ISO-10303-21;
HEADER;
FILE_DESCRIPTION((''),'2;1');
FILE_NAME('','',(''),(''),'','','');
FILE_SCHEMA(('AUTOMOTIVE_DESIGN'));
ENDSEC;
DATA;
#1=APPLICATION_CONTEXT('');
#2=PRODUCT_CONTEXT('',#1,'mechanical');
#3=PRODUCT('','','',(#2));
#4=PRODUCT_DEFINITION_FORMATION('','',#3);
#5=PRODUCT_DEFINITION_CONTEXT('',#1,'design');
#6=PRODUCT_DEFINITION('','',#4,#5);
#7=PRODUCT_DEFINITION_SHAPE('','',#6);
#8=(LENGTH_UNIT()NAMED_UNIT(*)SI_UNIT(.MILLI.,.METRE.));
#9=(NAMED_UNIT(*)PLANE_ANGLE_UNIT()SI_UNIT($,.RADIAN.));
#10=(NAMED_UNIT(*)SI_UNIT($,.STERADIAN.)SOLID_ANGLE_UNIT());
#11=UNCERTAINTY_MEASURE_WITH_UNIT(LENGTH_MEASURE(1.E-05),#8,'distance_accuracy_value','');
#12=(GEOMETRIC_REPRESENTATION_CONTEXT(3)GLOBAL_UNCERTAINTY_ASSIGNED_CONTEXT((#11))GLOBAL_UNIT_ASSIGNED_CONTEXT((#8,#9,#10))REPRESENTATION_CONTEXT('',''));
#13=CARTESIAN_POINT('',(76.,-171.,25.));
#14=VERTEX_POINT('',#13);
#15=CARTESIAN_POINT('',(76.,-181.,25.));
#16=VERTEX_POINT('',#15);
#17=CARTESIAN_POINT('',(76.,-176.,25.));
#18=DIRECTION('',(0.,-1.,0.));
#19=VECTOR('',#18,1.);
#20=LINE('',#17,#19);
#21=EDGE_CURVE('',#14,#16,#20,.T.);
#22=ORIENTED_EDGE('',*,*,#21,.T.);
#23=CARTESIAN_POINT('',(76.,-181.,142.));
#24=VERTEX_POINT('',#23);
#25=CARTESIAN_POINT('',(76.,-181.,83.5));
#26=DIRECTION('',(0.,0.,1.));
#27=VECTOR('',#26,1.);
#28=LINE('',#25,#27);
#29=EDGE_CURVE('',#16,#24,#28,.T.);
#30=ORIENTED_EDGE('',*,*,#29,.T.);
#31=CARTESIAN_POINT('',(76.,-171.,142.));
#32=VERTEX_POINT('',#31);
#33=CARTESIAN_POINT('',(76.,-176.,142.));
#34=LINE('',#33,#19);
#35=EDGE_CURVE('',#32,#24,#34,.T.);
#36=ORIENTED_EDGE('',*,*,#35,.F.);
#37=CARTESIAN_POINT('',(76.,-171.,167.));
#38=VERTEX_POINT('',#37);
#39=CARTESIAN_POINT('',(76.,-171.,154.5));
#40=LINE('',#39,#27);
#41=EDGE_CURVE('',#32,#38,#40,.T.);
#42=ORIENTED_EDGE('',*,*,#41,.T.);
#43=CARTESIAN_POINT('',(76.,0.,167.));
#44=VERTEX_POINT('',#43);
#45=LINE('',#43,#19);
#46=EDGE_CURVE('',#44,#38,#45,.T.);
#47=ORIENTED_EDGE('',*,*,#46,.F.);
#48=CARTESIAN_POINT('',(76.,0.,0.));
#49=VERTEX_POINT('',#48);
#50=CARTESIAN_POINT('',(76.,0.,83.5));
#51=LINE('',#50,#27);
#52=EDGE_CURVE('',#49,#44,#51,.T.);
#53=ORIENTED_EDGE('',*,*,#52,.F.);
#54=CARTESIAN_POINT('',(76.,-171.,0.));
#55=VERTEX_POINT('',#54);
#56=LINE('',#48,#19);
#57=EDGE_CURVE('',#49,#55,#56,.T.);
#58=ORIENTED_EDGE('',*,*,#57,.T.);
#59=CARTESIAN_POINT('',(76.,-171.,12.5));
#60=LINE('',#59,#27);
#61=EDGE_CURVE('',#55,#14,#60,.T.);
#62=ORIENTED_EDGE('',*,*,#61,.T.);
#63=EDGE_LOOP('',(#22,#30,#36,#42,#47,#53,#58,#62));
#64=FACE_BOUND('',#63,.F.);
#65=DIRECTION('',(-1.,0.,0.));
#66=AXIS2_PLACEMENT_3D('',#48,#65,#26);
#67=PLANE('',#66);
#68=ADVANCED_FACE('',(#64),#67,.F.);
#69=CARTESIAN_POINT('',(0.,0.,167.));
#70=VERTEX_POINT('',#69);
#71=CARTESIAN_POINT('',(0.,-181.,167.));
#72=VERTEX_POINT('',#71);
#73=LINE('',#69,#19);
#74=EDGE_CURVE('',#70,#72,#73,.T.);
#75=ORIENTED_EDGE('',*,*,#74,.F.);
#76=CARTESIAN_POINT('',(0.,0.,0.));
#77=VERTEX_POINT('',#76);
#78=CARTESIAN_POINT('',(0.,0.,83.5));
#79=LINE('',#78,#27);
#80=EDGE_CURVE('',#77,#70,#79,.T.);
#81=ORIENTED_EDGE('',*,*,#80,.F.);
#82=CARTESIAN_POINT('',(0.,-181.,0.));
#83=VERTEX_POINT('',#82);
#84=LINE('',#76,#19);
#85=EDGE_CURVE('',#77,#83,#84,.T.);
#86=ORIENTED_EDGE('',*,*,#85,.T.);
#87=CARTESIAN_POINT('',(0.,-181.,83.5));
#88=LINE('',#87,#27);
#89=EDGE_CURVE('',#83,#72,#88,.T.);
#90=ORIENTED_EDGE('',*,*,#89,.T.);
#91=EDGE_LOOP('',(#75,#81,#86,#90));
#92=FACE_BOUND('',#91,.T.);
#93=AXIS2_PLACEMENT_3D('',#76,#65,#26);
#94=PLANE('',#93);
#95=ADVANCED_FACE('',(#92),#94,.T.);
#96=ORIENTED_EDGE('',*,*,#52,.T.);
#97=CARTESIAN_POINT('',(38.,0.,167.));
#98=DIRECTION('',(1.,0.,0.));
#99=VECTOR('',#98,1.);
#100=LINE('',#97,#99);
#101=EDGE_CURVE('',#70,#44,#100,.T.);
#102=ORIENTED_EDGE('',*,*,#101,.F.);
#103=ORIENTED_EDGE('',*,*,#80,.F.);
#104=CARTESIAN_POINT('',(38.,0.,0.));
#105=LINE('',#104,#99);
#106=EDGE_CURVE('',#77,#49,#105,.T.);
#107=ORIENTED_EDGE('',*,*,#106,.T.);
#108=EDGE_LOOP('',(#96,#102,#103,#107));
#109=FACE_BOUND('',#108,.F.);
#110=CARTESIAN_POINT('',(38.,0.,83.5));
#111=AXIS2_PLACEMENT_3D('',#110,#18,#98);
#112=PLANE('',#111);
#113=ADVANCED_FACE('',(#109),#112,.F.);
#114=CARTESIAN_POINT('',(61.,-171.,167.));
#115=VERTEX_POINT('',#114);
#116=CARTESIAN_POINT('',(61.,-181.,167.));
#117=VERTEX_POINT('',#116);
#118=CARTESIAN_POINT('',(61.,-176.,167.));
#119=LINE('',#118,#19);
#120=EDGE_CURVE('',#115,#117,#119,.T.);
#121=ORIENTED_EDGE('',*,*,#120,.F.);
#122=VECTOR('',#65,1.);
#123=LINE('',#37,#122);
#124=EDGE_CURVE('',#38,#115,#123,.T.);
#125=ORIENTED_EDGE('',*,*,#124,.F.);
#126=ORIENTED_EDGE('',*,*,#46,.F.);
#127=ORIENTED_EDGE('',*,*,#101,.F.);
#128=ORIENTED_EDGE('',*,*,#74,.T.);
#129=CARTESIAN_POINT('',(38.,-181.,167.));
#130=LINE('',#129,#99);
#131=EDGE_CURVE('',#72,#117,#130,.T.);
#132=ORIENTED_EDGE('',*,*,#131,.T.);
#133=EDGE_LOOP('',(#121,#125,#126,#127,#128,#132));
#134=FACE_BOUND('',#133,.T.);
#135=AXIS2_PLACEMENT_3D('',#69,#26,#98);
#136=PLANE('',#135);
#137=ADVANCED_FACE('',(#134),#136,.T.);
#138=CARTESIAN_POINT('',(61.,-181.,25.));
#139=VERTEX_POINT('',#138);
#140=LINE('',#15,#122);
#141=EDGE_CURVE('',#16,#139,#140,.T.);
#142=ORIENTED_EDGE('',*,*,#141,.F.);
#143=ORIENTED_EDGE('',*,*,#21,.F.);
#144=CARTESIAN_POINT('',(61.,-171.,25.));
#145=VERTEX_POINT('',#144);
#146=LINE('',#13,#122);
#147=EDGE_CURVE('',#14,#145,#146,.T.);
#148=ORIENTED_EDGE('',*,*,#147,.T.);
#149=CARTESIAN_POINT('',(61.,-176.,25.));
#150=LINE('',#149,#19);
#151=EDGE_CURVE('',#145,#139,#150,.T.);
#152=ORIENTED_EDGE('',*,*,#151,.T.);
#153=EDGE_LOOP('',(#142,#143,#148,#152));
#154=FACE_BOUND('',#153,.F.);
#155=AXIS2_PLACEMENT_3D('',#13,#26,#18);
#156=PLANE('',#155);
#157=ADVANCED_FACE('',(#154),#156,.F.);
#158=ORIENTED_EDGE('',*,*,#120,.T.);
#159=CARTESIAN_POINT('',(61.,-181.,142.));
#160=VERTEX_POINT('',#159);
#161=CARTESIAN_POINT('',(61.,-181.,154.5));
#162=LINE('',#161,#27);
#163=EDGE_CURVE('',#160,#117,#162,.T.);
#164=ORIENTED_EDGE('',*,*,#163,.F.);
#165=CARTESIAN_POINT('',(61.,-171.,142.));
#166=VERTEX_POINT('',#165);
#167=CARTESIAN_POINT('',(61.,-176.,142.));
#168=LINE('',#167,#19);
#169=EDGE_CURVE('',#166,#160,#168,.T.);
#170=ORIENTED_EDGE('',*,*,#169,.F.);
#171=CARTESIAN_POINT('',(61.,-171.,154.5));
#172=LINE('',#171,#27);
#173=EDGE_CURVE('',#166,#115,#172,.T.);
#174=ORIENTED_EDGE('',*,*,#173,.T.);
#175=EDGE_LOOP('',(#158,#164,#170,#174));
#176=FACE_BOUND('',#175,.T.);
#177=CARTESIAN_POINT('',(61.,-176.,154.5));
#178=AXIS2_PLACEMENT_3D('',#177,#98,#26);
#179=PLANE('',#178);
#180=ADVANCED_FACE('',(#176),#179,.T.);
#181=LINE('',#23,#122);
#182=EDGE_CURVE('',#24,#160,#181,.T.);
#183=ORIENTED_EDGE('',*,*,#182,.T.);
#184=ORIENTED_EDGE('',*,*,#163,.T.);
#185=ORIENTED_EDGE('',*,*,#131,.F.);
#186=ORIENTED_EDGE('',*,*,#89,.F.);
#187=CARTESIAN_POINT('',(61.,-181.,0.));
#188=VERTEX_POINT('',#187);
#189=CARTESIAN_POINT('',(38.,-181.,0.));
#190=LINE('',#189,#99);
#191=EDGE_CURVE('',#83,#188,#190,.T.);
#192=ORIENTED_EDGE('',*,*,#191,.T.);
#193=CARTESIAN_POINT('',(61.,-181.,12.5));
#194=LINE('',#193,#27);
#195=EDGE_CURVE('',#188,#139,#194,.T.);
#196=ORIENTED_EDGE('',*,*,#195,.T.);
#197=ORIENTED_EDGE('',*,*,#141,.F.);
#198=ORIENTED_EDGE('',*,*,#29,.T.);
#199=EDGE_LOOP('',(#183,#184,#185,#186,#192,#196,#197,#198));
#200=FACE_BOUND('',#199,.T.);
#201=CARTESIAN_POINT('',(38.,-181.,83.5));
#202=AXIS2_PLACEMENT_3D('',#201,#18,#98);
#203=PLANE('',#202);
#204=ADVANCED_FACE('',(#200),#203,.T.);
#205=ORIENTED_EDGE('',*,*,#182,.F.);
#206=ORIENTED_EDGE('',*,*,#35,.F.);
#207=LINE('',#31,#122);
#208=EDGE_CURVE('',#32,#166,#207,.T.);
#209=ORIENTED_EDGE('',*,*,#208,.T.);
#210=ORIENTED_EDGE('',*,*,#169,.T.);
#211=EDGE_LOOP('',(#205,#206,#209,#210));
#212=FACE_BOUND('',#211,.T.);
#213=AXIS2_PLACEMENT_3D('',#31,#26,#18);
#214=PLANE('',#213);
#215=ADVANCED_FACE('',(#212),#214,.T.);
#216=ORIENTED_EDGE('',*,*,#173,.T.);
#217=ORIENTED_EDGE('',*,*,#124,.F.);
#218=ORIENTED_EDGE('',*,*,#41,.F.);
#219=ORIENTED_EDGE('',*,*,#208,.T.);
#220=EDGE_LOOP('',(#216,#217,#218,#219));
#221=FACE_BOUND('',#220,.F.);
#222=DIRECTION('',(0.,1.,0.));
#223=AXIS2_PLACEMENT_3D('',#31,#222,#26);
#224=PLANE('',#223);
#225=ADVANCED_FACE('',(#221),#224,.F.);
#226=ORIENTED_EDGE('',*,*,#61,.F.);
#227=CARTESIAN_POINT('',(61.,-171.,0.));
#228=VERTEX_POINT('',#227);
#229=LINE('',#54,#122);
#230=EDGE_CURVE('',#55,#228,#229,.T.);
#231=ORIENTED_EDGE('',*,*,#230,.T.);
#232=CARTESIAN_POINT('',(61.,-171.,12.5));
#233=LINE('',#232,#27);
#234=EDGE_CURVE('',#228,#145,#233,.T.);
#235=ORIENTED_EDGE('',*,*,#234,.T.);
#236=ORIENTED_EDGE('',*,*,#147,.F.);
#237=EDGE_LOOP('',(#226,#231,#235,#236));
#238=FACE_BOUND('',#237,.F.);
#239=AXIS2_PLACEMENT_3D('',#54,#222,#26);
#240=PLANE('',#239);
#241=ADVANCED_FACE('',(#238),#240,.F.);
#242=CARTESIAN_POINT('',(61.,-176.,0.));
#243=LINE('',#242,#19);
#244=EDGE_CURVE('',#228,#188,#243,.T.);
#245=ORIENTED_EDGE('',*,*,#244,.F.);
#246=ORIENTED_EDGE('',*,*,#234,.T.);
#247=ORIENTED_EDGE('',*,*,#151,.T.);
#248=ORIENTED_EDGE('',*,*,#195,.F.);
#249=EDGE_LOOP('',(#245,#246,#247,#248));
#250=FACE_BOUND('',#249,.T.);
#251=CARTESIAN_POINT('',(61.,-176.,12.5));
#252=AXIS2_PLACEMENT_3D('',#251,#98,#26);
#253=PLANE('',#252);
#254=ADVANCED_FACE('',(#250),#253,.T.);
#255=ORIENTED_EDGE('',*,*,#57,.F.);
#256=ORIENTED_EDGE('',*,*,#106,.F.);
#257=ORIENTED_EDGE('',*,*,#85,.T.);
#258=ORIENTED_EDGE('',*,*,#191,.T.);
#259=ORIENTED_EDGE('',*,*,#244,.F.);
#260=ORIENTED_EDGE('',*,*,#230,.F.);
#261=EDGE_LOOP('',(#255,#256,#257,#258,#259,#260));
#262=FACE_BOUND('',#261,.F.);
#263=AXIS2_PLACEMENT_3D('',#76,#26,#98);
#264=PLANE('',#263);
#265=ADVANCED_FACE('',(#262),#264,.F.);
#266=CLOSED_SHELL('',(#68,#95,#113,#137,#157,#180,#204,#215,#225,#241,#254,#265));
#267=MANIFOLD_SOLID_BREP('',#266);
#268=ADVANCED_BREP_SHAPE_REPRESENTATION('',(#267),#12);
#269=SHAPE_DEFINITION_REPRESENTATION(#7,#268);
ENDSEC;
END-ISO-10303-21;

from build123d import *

# Parameters (mm, degrees)
SKETCH_W     = 76
SKETCH_H     = 167
PAD_DEPTH    = 181
SKETCH001_W  = 25
SKETCH001_H  = 10
POCKET_DEPTH = 15


with BuildPart() as part:
    # Sketch → Pad (new body)
    with BuildSketch(Plane.XZ):
        with Locations((38, 83.5)):
            Rectangle(SKETCH_W, SKETCH_H)
    extrude(amount=PAD_DEPTH)

    # Sketch001 (on Face2 of Pad) → Pocket (cut)
    with BuildSketch(Plane(origin=(76, 0, 0), x_dir=(0, 0, 1), z_dir=(1, 0, 0))):
        with Locations((12.5, 176)):
            Rectangle(SKETCH001_W, SKETCH001_H)
        with Locations((154.5, 176)):
            Rectangle(SKETCH001_W, SKETCH001_H)
    extrude(amount=-POCKET_DEPTH, mode=Mode.SUBTRACT)


solid = part.part
